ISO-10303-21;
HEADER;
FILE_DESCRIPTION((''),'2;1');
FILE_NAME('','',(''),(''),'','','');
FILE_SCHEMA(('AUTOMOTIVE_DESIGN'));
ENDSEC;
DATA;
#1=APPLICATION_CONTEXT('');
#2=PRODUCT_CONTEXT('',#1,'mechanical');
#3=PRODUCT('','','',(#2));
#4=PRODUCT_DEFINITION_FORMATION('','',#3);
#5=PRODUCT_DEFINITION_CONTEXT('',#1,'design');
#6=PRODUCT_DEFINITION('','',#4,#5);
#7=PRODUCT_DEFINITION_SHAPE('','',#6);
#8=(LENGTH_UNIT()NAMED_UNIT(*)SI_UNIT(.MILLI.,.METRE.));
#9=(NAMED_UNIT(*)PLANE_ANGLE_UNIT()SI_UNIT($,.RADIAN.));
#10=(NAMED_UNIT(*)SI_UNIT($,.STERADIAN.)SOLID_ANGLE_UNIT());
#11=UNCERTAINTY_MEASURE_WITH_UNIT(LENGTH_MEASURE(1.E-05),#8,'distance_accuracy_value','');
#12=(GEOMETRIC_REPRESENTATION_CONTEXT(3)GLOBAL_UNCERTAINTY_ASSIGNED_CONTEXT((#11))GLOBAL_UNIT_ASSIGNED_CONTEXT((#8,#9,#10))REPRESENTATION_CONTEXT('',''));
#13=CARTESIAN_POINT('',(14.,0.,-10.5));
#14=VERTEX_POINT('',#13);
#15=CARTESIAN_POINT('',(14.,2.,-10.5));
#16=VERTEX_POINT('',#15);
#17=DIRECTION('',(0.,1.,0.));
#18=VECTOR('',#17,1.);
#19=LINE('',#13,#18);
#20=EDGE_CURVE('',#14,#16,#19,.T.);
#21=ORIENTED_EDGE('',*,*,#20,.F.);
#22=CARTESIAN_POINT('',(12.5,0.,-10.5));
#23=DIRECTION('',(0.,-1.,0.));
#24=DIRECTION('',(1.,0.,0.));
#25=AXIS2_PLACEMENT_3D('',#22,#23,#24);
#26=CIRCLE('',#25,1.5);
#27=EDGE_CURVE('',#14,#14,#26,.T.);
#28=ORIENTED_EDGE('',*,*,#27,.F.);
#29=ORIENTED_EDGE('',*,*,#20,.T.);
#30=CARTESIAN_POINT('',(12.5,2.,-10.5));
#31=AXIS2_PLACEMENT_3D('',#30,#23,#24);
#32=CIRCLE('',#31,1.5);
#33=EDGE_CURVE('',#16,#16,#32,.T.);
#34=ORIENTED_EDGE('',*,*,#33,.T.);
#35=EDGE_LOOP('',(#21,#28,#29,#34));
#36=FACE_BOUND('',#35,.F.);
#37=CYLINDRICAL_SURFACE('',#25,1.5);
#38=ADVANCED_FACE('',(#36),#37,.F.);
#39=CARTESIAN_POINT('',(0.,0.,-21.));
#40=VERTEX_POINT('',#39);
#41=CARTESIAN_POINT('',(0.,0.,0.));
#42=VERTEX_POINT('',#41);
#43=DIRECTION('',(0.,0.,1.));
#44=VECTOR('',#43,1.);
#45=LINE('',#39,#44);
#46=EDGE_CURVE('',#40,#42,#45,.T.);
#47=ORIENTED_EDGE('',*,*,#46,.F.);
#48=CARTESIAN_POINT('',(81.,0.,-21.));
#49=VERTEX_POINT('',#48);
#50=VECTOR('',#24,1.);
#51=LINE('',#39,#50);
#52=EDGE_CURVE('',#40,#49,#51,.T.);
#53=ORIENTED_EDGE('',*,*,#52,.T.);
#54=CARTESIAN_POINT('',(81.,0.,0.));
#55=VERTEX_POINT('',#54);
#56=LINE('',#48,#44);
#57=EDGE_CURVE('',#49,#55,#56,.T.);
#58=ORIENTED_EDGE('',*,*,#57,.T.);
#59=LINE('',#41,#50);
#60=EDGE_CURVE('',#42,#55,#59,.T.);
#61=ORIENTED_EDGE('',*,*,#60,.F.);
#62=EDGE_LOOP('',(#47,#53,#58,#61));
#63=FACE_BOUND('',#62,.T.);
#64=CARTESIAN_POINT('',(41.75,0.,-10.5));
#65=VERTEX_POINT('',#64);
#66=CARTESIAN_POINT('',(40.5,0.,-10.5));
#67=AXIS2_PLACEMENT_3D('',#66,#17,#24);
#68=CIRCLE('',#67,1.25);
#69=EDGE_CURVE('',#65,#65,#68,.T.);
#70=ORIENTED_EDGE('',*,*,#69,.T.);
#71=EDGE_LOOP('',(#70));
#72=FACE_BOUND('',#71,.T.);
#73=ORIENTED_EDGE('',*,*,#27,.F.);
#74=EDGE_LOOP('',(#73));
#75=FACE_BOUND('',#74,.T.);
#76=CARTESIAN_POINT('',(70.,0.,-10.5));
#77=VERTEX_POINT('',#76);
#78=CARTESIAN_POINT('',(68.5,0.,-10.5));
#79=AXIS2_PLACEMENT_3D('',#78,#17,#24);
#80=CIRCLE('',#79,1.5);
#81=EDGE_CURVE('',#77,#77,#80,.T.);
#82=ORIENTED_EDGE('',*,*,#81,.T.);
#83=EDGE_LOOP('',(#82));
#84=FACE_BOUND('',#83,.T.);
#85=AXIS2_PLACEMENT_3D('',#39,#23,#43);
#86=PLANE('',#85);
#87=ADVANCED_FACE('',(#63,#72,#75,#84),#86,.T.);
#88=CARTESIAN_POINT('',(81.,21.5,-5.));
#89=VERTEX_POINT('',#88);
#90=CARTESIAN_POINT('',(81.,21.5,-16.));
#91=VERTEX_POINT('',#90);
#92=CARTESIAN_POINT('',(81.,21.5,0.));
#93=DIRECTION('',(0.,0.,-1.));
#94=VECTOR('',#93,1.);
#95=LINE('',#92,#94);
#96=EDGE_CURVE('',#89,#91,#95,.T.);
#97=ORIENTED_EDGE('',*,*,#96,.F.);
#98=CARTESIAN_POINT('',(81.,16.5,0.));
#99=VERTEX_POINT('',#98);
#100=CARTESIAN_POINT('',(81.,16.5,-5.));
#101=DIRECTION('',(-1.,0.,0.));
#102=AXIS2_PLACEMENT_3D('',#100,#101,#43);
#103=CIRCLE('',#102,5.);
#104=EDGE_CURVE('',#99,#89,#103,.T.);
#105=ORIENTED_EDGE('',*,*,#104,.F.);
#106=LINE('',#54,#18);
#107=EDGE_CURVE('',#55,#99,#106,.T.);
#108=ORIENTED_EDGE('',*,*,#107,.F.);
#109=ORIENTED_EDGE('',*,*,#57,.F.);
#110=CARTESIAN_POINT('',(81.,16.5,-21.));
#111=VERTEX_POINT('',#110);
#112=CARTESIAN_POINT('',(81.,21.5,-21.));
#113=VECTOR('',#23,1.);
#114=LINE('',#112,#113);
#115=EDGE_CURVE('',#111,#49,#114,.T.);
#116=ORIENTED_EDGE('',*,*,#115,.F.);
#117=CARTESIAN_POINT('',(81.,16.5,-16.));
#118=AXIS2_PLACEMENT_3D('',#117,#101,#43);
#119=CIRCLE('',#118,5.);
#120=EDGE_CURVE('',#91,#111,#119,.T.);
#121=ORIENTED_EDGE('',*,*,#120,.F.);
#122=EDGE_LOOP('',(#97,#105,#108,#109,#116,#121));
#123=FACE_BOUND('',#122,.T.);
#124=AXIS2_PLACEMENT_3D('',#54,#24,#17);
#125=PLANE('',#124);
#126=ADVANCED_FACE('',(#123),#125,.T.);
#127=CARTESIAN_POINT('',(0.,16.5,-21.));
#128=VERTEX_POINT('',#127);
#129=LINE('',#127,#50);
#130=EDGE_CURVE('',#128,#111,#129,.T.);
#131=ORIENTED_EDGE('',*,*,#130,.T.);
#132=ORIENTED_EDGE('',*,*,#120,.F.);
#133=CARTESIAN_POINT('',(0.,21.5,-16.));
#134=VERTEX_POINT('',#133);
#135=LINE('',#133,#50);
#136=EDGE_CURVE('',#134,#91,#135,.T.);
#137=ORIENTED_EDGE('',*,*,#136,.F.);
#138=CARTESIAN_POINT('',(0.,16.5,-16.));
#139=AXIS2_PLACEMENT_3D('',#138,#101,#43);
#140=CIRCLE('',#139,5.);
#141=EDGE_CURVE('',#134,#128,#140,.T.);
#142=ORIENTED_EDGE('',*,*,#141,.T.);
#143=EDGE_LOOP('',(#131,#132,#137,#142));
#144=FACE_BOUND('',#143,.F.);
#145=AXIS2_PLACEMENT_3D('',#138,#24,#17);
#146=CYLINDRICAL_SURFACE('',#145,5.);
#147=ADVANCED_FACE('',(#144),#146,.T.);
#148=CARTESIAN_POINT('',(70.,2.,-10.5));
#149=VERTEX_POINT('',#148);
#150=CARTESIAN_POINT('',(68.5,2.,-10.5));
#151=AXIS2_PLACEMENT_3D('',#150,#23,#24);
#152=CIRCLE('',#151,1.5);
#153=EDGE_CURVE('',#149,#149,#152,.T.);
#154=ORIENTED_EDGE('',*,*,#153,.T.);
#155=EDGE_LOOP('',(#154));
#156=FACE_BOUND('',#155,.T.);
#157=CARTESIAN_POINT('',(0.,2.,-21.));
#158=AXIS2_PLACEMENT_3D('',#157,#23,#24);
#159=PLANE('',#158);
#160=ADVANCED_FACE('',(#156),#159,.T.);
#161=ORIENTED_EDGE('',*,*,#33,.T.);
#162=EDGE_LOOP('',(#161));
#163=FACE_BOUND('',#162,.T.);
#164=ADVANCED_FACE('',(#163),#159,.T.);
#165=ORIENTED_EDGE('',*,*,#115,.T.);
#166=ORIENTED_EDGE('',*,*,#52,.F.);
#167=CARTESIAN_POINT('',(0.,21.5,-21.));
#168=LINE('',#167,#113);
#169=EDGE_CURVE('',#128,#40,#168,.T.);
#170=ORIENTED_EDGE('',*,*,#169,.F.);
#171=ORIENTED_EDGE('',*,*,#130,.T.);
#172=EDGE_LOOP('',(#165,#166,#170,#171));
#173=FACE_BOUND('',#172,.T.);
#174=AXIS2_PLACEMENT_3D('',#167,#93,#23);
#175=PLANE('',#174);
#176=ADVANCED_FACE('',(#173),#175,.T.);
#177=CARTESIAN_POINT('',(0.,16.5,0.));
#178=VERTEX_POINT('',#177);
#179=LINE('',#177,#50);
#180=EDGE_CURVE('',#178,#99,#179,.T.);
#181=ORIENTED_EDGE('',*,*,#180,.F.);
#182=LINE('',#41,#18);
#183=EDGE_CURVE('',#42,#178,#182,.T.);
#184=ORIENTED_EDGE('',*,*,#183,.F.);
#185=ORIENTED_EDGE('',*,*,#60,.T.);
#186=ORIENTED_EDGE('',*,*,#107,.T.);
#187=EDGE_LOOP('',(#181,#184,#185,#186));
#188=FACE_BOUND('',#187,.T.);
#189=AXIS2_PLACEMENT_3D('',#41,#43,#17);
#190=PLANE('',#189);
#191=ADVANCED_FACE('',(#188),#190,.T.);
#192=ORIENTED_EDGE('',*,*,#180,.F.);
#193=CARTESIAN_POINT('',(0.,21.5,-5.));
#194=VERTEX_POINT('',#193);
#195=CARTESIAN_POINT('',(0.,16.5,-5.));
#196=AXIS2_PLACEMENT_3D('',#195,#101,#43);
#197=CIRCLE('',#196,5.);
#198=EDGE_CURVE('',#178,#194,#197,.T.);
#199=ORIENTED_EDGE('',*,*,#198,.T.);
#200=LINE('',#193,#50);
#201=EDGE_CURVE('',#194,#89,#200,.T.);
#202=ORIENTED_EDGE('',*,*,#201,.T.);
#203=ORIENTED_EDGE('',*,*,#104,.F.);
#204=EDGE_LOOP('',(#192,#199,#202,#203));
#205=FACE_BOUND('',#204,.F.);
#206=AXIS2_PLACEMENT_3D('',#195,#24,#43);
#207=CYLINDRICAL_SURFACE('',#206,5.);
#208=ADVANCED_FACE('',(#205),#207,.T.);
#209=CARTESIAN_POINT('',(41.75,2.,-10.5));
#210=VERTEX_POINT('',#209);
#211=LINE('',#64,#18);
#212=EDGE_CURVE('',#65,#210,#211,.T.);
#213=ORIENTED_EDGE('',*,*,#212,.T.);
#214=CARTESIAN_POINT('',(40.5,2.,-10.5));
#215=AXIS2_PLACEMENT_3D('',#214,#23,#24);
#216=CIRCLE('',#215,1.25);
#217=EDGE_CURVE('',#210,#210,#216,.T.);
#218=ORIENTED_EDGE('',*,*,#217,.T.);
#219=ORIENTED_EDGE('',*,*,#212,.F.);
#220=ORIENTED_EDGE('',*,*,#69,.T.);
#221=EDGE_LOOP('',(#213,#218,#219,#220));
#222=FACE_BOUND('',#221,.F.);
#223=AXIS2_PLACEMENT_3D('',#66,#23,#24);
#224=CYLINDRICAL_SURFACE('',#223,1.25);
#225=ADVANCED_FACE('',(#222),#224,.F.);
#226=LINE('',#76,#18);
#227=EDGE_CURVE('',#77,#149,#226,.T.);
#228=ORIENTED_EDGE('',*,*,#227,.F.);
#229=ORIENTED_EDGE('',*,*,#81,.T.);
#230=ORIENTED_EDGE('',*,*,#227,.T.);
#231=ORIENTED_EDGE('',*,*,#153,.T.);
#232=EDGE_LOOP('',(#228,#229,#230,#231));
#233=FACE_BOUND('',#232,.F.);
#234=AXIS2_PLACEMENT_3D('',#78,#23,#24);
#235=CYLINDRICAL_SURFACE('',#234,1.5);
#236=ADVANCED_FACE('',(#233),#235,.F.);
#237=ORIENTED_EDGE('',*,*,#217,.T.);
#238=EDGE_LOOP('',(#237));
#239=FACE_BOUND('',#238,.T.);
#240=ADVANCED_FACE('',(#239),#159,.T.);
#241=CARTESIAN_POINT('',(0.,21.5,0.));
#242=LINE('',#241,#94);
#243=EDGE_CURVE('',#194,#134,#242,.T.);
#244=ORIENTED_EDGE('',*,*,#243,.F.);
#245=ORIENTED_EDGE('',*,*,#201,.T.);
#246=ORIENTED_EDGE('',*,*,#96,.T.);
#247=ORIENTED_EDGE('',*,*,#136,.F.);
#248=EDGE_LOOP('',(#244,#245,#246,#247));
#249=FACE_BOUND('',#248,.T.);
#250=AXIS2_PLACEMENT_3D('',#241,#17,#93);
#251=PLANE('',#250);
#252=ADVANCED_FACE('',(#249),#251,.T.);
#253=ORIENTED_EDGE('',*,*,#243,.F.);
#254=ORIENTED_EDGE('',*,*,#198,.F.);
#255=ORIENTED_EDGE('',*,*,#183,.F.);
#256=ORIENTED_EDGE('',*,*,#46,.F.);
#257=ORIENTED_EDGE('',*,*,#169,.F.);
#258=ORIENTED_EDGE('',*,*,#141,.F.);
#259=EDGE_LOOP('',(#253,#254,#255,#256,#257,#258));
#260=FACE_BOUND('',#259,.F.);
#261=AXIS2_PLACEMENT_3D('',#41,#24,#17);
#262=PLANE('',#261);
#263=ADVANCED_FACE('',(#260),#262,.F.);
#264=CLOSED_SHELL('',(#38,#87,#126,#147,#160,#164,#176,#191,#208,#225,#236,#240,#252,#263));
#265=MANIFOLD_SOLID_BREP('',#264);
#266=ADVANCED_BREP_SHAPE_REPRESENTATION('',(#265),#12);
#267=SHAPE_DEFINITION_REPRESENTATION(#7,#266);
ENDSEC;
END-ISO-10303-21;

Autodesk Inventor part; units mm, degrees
ref_plane "YZ Plane" through (0, 0, 0) normal (1, 0, 0) x (0, 1, 0)
ref_plane "XZ Plane" through (0, 0, 0) normal (0, 1, 0) x (-1, 0, 0)
ref_plane "XY Plane" through (0, 0, 0) normal (0, 0, 1) x (1, 0, 0)
sketch "스케치1" plane through (0, 0, 0) normal (1, 0, 0) x (0, 1, 0)
  line L0 (0, 0) -> (21.5, 0)
  line L1 (21.5, 0) -> (21.5, -21)
  line L2 (21.5, -21) -> (0, -21)
  line L3 (0, -21) -> (0, 0)
  dimension "d0" = 21.5
  dimension "d1" = 21
extrude "돌출1" add sketch "스케치1" along normal blind 81
fillet "모깎기1" radius 5 2 edges at (40.5, 21.5, 0) (40.5, 21.5, -21)
sketch "스케치2" plane through (0, 0, -21) normal (0, -1, 0) x (1, 0, 0)
  point P0 (0, 21)
sketch "스케치3" plane through (0, 0, -21) normal (0, -1, 0) x (1, 0, 0)
  line L0 (0, 0) -> (81, 0) projected
  line L1 (40.5, 0) -> (40.5, 10.5)
  line L2 (0, 21) -> (81, 21) projected
  circle A0 centre (40.5, 10.5) radius 1.25
  line L3 (40.5, 10.5) -> (68.5, 10.5)
  circle A1 centre (68.5, 10.5) radius 1.5
  line L4 (40.5, 10.5) -> (12.5, 10.5)
  circle A2 centre (12.5, 10.5) radius 1.5
  dimension "d5" = 10.5
  dimension "d6" = 2.5
  dimension "d7" = 28
  dimension "d8" = 3
  dimension "d9" = 28
  dimension "d10" = 3
extrude "돌출2" cut sketch "스케치3" against normal blind 2
properties part number "배터리+홀더"
